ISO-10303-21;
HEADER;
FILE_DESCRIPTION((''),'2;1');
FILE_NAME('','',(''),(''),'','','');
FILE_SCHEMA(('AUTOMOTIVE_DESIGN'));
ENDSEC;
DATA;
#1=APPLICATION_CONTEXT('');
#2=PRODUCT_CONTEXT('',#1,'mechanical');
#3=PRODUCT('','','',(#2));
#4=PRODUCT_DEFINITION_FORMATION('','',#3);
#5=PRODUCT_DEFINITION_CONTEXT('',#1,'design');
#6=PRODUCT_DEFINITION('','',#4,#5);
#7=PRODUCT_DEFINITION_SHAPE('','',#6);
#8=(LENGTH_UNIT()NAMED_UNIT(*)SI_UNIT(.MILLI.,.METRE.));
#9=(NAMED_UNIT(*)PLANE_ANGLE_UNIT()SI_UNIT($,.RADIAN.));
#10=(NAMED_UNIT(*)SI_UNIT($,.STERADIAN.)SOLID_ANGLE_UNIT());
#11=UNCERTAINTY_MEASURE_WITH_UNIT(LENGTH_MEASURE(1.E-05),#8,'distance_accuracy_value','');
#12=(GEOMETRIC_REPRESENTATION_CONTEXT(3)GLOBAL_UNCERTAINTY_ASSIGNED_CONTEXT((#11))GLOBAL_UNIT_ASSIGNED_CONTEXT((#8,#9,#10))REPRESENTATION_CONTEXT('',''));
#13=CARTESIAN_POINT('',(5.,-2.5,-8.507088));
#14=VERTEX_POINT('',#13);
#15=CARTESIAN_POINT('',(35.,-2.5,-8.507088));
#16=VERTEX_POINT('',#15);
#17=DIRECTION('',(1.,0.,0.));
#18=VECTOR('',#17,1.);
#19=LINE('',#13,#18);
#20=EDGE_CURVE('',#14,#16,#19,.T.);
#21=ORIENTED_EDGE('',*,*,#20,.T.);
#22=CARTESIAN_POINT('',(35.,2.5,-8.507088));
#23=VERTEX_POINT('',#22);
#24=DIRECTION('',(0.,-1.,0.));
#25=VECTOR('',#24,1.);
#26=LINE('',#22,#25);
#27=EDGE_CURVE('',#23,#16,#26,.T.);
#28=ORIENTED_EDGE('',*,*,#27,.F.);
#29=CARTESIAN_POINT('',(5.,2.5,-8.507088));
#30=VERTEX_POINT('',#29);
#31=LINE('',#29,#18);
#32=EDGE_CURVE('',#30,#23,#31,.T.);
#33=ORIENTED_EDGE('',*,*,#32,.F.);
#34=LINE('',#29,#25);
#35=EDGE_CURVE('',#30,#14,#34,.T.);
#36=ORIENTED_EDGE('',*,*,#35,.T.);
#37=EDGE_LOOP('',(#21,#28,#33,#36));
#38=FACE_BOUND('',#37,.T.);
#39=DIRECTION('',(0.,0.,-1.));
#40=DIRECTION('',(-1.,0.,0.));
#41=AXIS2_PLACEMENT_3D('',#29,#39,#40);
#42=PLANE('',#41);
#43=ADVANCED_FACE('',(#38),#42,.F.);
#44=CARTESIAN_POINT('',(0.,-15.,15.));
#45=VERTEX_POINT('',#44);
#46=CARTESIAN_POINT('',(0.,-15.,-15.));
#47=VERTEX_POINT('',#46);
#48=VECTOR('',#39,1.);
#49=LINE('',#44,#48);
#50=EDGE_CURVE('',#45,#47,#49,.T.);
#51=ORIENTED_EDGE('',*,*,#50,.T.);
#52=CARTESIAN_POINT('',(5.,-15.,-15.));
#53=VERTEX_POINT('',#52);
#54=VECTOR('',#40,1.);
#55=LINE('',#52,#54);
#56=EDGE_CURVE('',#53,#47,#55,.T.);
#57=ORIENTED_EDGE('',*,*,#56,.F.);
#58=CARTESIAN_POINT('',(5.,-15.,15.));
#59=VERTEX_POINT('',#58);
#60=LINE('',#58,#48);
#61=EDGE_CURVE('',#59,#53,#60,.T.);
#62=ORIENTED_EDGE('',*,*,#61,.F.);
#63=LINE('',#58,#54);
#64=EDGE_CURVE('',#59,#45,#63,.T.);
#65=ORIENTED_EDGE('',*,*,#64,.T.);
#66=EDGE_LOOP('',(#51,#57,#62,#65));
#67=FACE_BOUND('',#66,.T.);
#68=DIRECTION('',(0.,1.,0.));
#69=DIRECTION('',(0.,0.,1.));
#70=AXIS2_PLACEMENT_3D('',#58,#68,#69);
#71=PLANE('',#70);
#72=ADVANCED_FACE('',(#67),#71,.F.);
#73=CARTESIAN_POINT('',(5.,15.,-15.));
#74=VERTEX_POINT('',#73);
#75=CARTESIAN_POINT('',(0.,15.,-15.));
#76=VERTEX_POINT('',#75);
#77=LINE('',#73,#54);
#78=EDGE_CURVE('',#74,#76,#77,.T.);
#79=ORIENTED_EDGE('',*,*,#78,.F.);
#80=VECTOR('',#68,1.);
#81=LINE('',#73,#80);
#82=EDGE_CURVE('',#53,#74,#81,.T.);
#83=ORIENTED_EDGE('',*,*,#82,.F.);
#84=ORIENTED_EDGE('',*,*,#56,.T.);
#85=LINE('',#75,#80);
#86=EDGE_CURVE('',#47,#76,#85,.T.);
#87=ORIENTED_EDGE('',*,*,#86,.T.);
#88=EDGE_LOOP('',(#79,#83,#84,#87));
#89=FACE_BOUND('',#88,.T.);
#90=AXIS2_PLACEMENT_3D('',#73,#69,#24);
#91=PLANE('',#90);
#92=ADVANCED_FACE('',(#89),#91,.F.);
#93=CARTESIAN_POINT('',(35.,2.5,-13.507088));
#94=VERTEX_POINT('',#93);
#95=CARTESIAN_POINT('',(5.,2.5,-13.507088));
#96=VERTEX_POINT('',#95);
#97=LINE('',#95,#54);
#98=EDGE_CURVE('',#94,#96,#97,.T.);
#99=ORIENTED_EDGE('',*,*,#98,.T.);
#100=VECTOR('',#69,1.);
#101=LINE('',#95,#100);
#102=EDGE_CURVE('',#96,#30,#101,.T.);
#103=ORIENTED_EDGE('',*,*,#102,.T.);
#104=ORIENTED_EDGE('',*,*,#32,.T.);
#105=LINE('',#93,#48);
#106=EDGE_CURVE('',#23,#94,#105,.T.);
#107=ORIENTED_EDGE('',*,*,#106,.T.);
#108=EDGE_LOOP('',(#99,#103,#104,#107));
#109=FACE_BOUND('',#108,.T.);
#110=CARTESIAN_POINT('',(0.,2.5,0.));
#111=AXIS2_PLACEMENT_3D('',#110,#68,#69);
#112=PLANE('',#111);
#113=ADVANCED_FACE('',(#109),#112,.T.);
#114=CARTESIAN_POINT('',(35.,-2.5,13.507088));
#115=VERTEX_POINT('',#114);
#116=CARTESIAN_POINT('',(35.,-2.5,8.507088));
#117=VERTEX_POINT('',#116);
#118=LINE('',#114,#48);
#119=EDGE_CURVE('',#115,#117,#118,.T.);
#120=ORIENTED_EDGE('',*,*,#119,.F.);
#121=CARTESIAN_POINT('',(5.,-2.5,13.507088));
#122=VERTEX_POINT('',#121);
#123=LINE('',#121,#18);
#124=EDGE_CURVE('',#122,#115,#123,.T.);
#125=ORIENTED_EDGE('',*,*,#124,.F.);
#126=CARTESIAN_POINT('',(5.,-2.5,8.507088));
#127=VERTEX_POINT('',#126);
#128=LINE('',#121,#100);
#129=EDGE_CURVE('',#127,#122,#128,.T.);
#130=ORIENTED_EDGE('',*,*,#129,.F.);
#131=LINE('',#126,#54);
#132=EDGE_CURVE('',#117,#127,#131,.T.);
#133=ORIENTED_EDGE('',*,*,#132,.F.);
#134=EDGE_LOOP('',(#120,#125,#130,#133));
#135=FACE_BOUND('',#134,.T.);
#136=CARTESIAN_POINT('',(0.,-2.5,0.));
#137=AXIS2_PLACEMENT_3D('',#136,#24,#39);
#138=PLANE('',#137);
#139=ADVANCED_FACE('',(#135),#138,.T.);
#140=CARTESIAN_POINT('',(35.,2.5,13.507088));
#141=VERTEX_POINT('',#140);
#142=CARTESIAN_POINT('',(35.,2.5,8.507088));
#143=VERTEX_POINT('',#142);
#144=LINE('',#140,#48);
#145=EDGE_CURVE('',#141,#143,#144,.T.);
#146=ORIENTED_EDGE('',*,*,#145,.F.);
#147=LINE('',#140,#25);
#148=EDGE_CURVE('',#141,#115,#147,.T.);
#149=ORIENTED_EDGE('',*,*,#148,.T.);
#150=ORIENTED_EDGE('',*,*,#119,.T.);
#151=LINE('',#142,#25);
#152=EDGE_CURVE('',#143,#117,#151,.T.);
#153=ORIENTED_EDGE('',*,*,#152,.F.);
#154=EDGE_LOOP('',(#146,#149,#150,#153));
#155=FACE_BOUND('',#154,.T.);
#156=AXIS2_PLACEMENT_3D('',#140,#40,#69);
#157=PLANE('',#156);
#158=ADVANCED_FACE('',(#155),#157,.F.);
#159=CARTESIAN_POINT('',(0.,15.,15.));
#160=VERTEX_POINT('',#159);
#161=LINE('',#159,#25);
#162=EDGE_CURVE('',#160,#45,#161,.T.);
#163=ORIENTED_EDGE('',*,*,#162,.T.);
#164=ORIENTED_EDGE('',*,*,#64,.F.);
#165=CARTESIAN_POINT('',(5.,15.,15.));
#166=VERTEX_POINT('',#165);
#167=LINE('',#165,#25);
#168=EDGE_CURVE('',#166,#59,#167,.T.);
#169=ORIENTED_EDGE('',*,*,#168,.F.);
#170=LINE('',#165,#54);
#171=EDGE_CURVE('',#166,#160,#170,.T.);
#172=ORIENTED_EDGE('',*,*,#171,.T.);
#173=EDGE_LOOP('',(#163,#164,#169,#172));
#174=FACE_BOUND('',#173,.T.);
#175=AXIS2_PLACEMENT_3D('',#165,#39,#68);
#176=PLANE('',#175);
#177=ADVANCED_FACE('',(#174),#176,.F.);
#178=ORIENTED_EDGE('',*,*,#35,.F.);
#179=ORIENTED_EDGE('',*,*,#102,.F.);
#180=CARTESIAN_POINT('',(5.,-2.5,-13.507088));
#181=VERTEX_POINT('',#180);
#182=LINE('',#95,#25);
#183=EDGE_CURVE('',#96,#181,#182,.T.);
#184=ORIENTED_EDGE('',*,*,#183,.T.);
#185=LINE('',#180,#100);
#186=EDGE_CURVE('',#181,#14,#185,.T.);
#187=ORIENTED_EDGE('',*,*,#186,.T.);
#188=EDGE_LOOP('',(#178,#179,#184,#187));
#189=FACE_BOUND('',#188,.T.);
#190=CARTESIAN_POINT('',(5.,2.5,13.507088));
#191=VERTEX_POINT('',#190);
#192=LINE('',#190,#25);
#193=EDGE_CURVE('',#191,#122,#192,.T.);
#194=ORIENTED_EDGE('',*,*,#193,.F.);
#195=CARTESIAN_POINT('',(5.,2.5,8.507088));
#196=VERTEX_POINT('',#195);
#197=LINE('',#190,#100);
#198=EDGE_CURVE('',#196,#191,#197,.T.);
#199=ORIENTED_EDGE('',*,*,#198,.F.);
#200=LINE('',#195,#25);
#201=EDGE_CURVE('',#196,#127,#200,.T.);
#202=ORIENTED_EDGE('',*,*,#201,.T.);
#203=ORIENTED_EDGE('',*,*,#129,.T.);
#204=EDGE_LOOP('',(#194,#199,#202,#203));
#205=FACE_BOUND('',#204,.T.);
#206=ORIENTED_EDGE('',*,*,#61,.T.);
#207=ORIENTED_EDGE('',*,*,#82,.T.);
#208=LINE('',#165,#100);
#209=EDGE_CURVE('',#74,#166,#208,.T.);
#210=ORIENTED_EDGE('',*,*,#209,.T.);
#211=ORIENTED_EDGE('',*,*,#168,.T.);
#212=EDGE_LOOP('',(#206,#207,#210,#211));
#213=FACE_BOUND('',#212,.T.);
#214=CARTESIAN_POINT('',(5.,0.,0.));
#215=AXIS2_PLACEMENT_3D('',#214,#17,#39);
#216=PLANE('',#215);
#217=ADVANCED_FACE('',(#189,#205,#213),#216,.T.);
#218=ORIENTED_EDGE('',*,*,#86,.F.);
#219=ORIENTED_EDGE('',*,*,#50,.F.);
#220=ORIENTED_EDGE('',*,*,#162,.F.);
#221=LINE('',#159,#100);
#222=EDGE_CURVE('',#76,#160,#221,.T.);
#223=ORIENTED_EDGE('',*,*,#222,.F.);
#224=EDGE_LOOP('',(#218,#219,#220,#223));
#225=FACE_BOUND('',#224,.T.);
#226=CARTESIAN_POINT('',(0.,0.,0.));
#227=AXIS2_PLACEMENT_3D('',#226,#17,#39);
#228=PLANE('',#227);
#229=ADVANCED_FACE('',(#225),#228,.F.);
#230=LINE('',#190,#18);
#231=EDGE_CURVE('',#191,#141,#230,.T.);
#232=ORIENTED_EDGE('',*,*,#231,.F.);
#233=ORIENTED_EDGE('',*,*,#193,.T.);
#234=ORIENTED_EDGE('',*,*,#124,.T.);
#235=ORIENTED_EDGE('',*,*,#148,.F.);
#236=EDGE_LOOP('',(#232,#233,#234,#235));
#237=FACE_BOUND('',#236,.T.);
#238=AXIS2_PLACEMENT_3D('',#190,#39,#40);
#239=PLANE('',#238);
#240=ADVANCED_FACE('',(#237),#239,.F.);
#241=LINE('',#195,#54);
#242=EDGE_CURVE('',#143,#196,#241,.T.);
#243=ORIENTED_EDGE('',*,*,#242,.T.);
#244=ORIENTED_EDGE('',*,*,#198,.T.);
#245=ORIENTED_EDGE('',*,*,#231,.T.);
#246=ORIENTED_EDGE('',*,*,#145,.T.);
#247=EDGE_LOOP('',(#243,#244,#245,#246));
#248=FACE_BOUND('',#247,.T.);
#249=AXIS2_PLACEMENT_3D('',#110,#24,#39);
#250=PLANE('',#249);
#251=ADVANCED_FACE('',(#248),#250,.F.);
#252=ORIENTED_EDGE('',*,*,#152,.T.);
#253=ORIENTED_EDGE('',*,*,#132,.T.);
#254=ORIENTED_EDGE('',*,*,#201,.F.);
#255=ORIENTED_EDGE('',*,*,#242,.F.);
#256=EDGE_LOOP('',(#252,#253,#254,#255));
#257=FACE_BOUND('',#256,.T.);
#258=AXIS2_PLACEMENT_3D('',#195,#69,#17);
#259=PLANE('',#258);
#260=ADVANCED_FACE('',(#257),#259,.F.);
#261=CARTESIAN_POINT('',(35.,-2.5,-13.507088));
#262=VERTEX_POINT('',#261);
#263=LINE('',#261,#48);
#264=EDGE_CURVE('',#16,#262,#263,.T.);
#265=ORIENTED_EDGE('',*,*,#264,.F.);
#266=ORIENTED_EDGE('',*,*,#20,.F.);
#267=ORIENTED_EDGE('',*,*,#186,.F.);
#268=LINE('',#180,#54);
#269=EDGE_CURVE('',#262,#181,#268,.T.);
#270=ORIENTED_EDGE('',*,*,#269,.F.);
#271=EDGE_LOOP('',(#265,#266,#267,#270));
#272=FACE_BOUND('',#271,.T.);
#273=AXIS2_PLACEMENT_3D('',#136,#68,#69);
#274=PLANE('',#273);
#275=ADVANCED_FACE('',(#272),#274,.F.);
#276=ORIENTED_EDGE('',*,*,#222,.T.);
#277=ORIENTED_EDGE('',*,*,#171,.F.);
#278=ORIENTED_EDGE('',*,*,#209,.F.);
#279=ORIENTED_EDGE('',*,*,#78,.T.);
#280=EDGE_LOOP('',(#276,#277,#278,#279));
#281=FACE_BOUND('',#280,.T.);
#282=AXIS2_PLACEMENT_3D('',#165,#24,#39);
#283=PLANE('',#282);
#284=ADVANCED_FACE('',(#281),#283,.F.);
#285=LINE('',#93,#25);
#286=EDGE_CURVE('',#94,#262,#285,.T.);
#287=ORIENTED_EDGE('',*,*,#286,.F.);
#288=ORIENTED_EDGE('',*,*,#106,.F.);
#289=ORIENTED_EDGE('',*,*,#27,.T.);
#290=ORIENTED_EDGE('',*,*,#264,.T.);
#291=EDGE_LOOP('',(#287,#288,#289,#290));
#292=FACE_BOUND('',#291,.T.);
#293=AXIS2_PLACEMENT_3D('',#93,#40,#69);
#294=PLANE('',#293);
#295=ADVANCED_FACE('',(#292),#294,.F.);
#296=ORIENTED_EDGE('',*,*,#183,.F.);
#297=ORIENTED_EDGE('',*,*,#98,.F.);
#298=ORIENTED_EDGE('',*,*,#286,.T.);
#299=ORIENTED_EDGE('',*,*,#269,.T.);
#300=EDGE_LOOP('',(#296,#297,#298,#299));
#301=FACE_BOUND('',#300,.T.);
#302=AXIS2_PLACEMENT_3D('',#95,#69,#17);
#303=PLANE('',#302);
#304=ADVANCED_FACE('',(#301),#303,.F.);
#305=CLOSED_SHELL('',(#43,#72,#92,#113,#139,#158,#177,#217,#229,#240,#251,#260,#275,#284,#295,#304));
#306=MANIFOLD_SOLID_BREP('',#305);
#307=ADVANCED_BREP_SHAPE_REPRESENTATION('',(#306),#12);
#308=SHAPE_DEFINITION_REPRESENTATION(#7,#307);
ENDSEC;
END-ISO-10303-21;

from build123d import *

# Parameters (mm, degrees)
SKETCH1_W           = 30
SKETCH1_H           = 30
BOSS_EXTRUDE1_DEPTH = 5
SKETCH2_W           = 30
SKETCH2_H           = 5
BOSS_EXTRUDE2_DEPTH = 2.5


with BuildPart() as part:
    # Sketch1 → Boss-Extrude1 (new body)
    with BuildSketch(Plane(origin=(0, 0, 0), x_dir=(0, 0, -1), z_dir=(1, 0, 0))):
        Rectangle(SKETCH1_W, SKETCH1_H)
    extrude(amount=BOSS_EXTRUDE1_DEPTH)

    # Sketch2 → Boss-Extrude2 (add, symmetric)
    with BuildSketch(Plane(origin=(0, 0, 0), x_dir=(1, 0, 0), z_dir=(0, 1, 0))):
        with Locations((20, 11.007087783)):
            Rectangle(SKETCH2_W, SKETCH2_H)
        with Locations((20, -11.007087783)):
            Rectangle(SKETCH2_W, SKETCH2_H)
    extrude(amount=BOSS_EXTRUDE2_DEPTH, both=True)


solid = part.part
